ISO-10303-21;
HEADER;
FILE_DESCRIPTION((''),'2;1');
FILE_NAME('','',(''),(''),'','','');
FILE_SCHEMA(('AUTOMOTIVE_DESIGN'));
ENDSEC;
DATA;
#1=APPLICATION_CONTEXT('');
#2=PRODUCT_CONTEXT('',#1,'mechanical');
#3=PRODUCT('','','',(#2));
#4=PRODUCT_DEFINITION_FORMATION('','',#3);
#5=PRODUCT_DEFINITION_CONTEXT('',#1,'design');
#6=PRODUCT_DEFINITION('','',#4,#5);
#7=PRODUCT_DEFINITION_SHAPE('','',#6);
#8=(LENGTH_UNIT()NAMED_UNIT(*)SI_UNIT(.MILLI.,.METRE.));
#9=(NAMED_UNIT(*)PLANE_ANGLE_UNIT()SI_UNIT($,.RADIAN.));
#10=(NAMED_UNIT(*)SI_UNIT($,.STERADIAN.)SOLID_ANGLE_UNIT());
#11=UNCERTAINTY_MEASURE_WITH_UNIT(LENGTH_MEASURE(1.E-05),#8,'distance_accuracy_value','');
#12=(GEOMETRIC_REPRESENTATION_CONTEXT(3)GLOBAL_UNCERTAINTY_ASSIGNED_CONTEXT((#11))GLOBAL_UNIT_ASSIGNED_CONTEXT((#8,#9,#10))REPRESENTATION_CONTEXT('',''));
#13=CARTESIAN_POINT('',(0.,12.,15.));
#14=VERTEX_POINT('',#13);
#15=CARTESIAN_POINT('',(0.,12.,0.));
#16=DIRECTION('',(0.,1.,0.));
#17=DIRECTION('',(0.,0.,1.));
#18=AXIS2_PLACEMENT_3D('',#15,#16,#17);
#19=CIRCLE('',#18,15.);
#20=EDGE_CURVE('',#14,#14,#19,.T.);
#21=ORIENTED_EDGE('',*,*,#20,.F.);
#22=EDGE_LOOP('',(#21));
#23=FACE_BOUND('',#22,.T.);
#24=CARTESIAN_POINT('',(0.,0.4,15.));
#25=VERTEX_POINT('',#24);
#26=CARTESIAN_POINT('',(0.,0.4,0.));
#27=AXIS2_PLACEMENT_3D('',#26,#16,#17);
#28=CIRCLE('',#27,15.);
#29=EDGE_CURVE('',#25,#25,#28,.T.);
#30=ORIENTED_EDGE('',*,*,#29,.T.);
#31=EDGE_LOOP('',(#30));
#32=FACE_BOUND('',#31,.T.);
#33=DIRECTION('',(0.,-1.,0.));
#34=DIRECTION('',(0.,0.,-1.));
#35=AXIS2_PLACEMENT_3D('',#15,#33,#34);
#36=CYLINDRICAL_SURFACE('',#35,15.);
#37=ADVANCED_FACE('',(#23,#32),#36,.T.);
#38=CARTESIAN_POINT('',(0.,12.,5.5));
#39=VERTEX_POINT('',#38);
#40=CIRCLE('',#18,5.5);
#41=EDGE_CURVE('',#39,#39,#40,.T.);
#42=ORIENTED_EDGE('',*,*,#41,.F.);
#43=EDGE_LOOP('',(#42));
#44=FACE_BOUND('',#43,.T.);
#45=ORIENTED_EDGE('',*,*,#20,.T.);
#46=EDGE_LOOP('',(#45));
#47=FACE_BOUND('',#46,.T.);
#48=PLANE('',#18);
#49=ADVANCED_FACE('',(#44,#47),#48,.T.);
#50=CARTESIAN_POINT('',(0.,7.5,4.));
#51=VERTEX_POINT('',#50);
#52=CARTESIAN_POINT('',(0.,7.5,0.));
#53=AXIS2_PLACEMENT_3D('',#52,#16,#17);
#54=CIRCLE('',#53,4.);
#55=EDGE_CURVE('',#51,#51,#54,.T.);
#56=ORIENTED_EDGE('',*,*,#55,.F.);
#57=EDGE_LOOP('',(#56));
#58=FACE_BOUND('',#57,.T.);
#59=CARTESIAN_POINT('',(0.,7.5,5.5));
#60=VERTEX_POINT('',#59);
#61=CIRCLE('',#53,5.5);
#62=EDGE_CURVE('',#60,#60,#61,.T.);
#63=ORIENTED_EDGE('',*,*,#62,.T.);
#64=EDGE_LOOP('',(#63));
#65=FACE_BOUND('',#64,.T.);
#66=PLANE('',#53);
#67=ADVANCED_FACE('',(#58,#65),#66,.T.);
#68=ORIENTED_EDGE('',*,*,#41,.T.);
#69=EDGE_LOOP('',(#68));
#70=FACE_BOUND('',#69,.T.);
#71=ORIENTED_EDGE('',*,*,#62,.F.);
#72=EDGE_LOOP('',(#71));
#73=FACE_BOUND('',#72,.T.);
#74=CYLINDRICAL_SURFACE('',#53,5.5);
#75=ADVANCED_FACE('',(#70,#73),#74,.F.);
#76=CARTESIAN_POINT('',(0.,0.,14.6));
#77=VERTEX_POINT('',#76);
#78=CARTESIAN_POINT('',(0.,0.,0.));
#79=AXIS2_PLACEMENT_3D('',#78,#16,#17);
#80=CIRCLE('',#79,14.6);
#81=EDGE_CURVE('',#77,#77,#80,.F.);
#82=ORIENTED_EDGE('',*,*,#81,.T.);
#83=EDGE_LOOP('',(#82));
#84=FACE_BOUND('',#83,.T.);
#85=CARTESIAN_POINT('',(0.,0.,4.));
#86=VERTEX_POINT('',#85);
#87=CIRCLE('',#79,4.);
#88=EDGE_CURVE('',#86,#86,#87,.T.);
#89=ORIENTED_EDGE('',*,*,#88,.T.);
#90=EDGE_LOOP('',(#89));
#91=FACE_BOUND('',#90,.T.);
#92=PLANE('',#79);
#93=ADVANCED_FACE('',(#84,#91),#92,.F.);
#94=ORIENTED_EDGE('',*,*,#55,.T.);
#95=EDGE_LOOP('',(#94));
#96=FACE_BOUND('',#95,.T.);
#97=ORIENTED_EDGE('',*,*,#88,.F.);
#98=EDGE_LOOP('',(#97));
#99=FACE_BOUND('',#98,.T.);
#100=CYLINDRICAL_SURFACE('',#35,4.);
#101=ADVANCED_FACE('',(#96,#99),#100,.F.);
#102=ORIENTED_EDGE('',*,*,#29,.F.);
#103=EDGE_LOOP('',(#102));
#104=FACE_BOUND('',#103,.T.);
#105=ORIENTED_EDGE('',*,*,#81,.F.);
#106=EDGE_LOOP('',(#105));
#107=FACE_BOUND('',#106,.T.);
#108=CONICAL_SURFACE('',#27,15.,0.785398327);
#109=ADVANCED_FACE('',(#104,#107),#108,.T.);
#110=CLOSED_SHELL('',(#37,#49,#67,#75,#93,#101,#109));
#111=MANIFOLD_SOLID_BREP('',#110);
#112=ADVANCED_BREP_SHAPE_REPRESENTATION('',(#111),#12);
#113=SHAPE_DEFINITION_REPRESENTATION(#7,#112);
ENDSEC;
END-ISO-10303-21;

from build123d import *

# Parameters (mm, degrees)
SKETCH1_R           = 15
SKETCH1_R_2         = 4
BOSS_EXTRUDE1_DEPTH = 12
SKETCH2_R           = 5.5
CUT_EXTRUDE1_DEPTH  = 4.5
CHAMFER1_SIZE       = 0.4
CHAMFER1_SIZE2      = 0.399999869


with BuildPart() as part:
    # Sketch1 → Boss-Extrude1 (new body)
    with BuildSketch(Plane(origin=(0, 0, 0), x_dir=(1, 0, 0), z_dir=(0, 1, 0))):
        with Locations(Location((0, 0, 0), (0, 0, 270))):
            Circle(SKETCH1_R)
        with Locations(Location((0, 0, 0), (0, 0, 270))):
            Circle(SKETCH1_R_2, mode=Mode.SUBTRACT)
    extrude(amount=BOSS_EXTRUDE1_DEPTH)

    # Sketch2 → Cut-Extrude1 (cut, symmetric)
    with BuildSketch(Plane(origin=(0, 12, 0), x_dir=(1, 0, 0), z_dir=(0, 1, 0))):
        with Locations(Location((0, 0, 0), (0, 0, 270))):
            Circle(SKETCH2_R)
    extrude(amount=CUT_EXTRUDE1_DEPTH, both=True, mode=Mode.SUBTRACT)

    # Chamfer1
    chamfer1_edges = [part.edges().sort_by_distance(p)[0] for p in [
        (0, 0, -15),
    ]]
    chamfer1_side = [part.faces().sort_by_distance(p)[0] for p in [
        (0, 6, -15),
    ]]
    chamfer(chamfer1_edges, length=CHAMFER1_SIZE, length2=CHAMFER1_SIZE2, reference=chamfer1_side[0])


solid = part.part
